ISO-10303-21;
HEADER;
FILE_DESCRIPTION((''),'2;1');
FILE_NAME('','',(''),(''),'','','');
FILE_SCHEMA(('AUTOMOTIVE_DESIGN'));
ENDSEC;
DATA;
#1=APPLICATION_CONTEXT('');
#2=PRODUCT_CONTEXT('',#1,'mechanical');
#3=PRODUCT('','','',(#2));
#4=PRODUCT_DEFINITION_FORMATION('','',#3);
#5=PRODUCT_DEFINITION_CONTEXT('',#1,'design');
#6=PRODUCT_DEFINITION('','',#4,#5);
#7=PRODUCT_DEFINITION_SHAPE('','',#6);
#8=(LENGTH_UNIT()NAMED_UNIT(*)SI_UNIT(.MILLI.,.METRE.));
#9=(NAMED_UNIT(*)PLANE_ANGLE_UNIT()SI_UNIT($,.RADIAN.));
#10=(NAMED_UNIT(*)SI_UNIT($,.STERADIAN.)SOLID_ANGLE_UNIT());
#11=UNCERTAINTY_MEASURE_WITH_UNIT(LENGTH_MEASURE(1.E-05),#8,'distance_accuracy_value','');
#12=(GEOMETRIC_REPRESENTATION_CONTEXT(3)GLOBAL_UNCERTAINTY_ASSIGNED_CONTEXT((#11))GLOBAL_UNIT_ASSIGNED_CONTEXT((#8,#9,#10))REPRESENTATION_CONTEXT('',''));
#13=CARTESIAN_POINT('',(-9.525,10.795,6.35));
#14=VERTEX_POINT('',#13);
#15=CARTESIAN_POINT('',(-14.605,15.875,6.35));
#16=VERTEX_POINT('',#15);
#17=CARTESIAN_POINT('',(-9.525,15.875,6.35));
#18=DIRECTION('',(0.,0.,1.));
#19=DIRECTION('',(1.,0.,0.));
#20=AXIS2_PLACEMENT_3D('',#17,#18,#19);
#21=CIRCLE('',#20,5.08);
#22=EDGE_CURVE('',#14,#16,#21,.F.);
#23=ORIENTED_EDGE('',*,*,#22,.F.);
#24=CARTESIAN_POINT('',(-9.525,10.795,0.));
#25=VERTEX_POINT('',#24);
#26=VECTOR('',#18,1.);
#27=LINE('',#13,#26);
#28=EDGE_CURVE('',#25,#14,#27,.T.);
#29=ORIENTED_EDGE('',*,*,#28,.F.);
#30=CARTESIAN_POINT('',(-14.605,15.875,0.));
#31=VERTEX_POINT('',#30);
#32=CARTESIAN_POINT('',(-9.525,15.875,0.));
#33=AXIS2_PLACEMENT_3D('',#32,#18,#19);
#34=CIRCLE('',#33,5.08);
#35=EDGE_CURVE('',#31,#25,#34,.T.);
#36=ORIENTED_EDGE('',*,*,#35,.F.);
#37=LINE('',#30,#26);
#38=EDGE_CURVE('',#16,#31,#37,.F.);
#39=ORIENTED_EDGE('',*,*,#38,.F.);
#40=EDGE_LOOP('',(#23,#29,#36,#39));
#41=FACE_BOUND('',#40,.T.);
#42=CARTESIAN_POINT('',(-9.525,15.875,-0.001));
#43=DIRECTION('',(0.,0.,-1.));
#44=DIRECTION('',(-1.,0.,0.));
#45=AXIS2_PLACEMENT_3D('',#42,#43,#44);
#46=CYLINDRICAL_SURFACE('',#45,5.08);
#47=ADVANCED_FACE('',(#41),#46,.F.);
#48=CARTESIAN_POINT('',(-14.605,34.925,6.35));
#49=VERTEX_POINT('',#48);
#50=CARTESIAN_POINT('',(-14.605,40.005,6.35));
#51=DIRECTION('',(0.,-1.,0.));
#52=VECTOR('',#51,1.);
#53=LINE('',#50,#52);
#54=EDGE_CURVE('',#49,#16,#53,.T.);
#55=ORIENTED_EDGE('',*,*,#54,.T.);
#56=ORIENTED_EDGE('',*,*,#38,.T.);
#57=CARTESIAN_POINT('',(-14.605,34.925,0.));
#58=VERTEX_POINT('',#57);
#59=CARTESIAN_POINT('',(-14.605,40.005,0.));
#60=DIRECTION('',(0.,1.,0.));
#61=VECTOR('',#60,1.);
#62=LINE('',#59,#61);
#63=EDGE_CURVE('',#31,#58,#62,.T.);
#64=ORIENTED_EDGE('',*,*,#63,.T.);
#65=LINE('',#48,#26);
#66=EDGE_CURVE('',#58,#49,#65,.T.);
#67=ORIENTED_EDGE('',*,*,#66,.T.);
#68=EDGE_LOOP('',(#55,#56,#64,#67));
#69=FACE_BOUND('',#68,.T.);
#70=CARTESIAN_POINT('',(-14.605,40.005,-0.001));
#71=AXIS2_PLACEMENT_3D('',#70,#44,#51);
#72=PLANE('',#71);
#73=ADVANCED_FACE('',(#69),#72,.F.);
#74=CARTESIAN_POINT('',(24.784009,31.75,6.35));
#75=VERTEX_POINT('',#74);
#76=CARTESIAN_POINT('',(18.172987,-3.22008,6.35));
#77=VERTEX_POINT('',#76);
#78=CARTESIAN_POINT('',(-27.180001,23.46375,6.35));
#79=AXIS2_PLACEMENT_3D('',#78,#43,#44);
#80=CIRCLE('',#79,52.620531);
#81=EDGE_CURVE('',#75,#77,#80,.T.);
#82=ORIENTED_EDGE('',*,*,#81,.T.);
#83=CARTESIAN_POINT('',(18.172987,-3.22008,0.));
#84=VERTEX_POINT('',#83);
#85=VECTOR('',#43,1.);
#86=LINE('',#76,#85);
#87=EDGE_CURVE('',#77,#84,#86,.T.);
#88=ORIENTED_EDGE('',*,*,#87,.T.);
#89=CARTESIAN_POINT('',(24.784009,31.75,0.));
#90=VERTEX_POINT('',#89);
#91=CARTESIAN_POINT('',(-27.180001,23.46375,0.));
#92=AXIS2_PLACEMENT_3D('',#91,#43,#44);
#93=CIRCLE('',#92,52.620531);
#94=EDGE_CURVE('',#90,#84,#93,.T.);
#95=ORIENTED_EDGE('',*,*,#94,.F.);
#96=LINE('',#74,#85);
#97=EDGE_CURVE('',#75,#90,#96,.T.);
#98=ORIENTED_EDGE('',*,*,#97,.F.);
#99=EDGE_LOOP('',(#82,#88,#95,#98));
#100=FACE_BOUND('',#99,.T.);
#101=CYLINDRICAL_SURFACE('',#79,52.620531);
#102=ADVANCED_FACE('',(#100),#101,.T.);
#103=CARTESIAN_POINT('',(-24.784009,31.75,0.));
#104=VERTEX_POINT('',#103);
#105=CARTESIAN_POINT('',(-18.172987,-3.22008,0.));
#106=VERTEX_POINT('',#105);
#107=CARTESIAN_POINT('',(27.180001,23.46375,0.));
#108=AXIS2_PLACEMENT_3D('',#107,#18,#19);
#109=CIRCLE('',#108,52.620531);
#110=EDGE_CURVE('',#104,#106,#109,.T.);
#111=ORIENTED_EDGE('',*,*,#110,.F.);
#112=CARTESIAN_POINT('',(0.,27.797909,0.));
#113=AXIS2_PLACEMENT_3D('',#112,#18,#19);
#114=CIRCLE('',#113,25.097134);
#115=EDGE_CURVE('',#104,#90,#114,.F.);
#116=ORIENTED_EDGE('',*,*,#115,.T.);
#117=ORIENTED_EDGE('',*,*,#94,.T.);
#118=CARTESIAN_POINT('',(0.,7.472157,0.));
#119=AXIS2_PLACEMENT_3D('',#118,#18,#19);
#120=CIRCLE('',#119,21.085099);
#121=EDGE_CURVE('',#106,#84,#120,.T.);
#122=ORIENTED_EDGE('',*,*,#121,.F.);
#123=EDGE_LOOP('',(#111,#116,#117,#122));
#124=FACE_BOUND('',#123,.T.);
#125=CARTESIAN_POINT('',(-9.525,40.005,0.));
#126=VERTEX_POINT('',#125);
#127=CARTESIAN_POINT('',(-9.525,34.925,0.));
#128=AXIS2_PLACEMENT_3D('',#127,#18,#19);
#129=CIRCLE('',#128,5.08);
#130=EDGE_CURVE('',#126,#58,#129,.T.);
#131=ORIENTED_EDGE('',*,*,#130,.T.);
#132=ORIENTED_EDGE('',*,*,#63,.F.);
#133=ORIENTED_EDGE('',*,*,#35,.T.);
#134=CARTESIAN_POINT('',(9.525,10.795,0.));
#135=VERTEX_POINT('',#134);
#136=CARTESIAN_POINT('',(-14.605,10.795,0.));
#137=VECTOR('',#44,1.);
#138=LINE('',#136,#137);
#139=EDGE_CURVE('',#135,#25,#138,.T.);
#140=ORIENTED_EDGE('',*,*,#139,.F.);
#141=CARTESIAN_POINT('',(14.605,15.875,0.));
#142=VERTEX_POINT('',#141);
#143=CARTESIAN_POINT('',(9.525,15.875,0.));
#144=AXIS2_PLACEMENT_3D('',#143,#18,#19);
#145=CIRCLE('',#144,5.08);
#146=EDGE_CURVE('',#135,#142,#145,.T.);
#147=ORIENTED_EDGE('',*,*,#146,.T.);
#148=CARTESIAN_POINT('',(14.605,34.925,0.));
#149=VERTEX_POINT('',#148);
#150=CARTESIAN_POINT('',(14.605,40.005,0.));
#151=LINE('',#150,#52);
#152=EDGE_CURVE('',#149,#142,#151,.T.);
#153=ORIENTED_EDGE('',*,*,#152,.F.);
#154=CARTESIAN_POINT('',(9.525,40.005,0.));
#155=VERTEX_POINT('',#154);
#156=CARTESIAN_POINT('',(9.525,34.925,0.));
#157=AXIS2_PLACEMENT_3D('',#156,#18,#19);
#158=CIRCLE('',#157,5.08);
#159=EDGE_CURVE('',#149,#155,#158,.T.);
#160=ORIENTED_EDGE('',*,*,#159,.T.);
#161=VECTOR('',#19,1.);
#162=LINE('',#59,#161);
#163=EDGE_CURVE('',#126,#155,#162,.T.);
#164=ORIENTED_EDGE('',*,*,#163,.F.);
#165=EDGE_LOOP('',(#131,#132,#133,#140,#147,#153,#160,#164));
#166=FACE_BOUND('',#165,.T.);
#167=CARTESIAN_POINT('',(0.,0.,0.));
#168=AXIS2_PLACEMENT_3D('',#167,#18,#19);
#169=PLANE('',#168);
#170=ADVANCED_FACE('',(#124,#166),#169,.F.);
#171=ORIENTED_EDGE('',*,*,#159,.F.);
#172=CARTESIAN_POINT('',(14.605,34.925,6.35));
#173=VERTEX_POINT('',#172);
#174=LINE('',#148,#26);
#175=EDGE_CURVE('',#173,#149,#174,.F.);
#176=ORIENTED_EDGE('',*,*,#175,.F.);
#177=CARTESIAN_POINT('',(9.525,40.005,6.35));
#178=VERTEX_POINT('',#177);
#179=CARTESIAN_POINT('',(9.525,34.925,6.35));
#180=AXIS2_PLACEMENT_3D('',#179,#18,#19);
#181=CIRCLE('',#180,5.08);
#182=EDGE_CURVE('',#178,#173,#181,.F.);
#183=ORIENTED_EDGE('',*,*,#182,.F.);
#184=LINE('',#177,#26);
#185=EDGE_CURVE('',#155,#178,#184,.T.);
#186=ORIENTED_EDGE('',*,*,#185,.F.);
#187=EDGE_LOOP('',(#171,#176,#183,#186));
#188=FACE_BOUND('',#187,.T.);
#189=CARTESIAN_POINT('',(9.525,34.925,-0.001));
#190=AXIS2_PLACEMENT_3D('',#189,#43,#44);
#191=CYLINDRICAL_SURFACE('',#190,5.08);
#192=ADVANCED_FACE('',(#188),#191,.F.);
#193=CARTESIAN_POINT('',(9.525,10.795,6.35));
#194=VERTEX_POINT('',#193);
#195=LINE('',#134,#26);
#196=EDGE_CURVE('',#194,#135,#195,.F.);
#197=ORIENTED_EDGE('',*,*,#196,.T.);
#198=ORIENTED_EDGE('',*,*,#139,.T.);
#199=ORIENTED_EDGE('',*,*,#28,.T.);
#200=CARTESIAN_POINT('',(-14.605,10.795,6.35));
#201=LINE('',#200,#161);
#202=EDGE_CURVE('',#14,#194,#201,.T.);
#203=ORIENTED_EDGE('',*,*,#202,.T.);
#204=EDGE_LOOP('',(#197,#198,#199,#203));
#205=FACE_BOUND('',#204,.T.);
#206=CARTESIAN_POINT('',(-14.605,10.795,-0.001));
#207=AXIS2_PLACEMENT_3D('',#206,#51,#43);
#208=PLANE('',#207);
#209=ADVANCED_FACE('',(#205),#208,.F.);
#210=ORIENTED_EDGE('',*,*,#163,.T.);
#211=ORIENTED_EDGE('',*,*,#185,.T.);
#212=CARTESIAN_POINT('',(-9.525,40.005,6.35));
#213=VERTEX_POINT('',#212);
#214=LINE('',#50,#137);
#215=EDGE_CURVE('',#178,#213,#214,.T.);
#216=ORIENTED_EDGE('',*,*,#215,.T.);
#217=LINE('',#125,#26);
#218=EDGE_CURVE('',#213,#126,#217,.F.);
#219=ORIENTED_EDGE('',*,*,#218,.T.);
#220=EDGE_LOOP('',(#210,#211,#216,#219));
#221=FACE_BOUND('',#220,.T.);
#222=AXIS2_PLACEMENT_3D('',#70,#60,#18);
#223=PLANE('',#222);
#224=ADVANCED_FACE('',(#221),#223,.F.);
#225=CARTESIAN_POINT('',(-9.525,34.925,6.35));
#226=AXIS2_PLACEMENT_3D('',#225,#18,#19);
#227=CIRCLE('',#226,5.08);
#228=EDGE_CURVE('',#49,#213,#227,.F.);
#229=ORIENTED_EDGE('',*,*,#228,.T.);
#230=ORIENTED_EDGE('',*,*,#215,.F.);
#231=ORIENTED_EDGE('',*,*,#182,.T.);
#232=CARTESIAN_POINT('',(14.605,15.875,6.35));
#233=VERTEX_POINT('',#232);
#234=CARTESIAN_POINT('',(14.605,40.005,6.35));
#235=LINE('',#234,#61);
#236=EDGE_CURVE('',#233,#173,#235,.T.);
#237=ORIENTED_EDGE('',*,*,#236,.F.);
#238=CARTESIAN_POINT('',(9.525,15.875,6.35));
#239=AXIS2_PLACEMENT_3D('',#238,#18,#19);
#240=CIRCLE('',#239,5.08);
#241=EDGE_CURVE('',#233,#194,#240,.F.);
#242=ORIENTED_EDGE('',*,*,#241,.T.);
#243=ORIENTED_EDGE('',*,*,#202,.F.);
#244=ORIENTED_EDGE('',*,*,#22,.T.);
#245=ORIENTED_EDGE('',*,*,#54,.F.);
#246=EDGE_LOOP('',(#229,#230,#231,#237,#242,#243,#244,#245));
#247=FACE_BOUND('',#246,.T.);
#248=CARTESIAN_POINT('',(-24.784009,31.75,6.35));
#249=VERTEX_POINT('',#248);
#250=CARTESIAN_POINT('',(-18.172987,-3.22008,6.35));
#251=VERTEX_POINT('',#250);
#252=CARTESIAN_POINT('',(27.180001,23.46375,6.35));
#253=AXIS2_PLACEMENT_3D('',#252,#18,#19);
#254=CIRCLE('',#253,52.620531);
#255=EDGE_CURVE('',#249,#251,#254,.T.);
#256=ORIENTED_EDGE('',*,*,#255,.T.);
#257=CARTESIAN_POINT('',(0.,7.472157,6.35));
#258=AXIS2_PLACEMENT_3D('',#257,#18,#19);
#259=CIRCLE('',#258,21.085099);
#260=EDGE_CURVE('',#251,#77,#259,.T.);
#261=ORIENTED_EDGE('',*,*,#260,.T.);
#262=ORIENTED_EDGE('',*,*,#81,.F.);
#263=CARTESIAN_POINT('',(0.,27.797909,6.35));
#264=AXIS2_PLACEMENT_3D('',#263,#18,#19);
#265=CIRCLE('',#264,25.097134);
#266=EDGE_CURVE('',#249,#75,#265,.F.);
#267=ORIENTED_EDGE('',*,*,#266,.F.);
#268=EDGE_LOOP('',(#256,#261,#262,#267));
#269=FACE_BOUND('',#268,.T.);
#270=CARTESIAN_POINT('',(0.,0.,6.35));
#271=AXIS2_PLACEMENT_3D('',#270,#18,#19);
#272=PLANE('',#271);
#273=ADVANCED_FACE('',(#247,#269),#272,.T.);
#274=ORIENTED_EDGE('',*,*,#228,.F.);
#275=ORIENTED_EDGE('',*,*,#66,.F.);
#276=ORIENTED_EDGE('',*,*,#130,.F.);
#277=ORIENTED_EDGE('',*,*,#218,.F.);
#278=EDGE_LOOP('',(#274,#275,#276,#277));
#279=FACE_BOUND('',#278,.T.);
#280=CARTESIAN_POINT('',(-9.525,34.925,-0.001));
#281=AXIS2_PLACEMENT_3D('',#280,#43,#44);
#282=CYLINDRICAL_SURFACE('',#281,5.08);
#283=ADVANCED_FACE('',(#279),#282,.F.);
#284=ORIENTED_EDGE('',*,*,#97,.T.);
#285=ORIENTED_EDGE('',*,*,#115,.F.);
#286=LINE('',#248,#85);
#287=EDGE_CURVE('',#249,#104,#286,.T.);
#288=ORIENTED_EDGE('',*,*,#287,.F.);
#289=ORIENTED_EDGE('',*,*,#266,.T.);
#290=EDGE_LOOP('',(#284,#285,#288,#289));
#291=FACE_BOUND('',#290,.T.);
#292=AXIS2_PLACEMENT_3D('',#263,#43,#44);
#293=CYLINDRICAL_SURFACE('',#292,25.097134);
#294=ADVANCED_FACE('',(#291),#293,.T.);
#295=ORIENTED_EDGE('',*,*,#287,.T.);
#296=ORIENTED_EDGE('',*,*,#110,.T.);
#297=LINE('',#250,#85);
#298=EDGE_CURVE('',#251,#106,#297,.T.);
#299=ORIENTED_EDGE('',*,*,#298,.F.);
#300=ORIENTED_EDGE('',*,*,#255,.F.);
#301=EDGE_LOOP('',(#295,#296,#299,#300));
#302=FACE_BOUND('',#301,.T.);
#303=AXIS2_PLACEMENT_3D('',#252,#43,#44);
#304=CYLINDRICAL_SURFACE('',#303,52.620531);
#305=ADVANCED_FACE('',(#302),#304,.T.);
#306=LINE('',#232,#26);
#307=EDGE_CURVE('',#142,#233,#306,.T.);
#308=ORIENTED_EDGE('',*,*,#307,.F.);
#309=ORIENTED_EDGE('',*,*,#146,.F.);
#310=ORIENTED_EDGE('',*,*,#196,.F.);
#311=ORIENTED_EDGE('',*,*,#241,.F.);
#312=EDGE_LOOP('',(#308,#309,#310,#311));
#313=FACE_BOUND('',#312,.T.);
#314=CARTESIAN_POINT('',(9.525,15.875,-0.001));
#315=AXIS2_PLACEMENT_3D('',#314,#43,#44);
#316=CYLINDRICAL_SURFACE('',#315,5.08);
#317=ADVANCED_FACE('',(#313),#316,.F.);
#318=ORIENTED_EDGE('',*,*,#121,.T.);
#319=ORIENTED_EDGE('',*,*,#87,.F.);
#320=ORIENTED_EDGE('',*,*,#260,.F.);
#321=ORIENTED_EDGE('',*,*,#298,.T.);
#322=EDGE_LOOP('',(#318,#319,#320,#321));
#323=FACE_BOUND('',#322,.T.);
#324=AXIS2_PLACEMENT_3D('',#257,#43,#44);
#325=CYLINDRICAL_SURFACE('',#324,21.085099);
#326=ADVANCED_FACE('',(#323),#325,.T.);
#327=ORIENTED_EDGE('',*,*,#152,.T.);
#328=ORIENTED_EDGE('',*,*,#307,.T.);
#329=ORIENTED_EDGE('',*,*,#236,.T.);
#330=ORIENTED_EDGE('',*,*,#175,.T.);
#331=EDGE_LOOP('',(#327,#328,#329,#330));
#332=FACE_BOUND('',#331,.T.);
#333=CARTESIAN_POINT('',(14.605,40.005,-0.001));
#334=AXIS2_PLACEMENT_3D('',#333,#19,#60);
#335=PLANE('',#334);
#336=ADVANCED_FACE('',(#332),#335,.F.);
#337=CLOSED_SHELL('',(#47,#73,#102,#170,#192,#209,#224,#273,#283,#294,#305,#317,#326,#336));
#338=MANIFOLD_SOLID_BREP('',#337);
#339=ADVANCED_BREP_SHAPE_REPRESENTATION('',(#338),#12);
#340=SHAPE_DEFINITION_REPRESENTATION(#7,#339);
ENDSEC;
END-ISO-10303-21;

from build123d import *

# Parameters (mm, degrees)
BOSS_EXTRUDE1_DEPTH = 6.35
CUT_EXTRUDE1_REACH  = 8.35
SKETCH2_W           = 29.21
SKETCH2_H           = 29.21
FILLET1_R           = 5.08


with BuildPart() as part:
    # Sketch1 → Boss-Extrude1 (new body)
    with BuildSketch(Plane.XY):
        with BuildLine():
            ThreePointArc((-24.784009304, 31.75), (-24.524700471, 13.689081607), (-18.172986801, -3.220080042))
            ThreePointArc((-18.172986801, -3.220080042), (0, -13.612941591), (18.172986801, -3.220080042))
            ThreePointArc((18.172986801, -3.220080042), (24.524700471, 13.689081607), (24.784009304, 31.75))
            ThreePointArc((24.784009304, 31.75), (0, 52.895043223), (-24.784009304, 31.75))
        make_face()
    extrude(amount=BOSS_EXTRUDE1_DEPTH)

    # Sketch2 → Cut-Extrude1 (cut, up to next)
    with BuildSketch(Plane.XY.offset(6.35), mode=Mode.PRIVATE) as cut_extrude1_sk1:
        with Locations((0, 25.4)):
            Rectangle(SKETCH2_W, SKETCH2_H)
    cut_extrude1_tool1 = extrude(cut_extrude1_sk1.sketch, amount=-CUT_EXTRUDE1_REACH, mode=Mode.PRIVATE) & part.part
    add(cut_extrude1_tool1.solids().sort_by_distance((0, 25.4, 6.35))[0], mode=Mode.SUBTRACT)

    # Fillet1
    fillet1_edges = [part.edges().sort_by_distance(p)[0] for p in [
        (14.605, 40.005, 3.175),
        (14.605, 10.795, 3.175),
        (-14.605, 10.795, 3.175),
        (-14.605, 40.005, 3.175),
    ]]
    fillet(fillet1_edges, radius=FILLET1_R)


solid = part.part
